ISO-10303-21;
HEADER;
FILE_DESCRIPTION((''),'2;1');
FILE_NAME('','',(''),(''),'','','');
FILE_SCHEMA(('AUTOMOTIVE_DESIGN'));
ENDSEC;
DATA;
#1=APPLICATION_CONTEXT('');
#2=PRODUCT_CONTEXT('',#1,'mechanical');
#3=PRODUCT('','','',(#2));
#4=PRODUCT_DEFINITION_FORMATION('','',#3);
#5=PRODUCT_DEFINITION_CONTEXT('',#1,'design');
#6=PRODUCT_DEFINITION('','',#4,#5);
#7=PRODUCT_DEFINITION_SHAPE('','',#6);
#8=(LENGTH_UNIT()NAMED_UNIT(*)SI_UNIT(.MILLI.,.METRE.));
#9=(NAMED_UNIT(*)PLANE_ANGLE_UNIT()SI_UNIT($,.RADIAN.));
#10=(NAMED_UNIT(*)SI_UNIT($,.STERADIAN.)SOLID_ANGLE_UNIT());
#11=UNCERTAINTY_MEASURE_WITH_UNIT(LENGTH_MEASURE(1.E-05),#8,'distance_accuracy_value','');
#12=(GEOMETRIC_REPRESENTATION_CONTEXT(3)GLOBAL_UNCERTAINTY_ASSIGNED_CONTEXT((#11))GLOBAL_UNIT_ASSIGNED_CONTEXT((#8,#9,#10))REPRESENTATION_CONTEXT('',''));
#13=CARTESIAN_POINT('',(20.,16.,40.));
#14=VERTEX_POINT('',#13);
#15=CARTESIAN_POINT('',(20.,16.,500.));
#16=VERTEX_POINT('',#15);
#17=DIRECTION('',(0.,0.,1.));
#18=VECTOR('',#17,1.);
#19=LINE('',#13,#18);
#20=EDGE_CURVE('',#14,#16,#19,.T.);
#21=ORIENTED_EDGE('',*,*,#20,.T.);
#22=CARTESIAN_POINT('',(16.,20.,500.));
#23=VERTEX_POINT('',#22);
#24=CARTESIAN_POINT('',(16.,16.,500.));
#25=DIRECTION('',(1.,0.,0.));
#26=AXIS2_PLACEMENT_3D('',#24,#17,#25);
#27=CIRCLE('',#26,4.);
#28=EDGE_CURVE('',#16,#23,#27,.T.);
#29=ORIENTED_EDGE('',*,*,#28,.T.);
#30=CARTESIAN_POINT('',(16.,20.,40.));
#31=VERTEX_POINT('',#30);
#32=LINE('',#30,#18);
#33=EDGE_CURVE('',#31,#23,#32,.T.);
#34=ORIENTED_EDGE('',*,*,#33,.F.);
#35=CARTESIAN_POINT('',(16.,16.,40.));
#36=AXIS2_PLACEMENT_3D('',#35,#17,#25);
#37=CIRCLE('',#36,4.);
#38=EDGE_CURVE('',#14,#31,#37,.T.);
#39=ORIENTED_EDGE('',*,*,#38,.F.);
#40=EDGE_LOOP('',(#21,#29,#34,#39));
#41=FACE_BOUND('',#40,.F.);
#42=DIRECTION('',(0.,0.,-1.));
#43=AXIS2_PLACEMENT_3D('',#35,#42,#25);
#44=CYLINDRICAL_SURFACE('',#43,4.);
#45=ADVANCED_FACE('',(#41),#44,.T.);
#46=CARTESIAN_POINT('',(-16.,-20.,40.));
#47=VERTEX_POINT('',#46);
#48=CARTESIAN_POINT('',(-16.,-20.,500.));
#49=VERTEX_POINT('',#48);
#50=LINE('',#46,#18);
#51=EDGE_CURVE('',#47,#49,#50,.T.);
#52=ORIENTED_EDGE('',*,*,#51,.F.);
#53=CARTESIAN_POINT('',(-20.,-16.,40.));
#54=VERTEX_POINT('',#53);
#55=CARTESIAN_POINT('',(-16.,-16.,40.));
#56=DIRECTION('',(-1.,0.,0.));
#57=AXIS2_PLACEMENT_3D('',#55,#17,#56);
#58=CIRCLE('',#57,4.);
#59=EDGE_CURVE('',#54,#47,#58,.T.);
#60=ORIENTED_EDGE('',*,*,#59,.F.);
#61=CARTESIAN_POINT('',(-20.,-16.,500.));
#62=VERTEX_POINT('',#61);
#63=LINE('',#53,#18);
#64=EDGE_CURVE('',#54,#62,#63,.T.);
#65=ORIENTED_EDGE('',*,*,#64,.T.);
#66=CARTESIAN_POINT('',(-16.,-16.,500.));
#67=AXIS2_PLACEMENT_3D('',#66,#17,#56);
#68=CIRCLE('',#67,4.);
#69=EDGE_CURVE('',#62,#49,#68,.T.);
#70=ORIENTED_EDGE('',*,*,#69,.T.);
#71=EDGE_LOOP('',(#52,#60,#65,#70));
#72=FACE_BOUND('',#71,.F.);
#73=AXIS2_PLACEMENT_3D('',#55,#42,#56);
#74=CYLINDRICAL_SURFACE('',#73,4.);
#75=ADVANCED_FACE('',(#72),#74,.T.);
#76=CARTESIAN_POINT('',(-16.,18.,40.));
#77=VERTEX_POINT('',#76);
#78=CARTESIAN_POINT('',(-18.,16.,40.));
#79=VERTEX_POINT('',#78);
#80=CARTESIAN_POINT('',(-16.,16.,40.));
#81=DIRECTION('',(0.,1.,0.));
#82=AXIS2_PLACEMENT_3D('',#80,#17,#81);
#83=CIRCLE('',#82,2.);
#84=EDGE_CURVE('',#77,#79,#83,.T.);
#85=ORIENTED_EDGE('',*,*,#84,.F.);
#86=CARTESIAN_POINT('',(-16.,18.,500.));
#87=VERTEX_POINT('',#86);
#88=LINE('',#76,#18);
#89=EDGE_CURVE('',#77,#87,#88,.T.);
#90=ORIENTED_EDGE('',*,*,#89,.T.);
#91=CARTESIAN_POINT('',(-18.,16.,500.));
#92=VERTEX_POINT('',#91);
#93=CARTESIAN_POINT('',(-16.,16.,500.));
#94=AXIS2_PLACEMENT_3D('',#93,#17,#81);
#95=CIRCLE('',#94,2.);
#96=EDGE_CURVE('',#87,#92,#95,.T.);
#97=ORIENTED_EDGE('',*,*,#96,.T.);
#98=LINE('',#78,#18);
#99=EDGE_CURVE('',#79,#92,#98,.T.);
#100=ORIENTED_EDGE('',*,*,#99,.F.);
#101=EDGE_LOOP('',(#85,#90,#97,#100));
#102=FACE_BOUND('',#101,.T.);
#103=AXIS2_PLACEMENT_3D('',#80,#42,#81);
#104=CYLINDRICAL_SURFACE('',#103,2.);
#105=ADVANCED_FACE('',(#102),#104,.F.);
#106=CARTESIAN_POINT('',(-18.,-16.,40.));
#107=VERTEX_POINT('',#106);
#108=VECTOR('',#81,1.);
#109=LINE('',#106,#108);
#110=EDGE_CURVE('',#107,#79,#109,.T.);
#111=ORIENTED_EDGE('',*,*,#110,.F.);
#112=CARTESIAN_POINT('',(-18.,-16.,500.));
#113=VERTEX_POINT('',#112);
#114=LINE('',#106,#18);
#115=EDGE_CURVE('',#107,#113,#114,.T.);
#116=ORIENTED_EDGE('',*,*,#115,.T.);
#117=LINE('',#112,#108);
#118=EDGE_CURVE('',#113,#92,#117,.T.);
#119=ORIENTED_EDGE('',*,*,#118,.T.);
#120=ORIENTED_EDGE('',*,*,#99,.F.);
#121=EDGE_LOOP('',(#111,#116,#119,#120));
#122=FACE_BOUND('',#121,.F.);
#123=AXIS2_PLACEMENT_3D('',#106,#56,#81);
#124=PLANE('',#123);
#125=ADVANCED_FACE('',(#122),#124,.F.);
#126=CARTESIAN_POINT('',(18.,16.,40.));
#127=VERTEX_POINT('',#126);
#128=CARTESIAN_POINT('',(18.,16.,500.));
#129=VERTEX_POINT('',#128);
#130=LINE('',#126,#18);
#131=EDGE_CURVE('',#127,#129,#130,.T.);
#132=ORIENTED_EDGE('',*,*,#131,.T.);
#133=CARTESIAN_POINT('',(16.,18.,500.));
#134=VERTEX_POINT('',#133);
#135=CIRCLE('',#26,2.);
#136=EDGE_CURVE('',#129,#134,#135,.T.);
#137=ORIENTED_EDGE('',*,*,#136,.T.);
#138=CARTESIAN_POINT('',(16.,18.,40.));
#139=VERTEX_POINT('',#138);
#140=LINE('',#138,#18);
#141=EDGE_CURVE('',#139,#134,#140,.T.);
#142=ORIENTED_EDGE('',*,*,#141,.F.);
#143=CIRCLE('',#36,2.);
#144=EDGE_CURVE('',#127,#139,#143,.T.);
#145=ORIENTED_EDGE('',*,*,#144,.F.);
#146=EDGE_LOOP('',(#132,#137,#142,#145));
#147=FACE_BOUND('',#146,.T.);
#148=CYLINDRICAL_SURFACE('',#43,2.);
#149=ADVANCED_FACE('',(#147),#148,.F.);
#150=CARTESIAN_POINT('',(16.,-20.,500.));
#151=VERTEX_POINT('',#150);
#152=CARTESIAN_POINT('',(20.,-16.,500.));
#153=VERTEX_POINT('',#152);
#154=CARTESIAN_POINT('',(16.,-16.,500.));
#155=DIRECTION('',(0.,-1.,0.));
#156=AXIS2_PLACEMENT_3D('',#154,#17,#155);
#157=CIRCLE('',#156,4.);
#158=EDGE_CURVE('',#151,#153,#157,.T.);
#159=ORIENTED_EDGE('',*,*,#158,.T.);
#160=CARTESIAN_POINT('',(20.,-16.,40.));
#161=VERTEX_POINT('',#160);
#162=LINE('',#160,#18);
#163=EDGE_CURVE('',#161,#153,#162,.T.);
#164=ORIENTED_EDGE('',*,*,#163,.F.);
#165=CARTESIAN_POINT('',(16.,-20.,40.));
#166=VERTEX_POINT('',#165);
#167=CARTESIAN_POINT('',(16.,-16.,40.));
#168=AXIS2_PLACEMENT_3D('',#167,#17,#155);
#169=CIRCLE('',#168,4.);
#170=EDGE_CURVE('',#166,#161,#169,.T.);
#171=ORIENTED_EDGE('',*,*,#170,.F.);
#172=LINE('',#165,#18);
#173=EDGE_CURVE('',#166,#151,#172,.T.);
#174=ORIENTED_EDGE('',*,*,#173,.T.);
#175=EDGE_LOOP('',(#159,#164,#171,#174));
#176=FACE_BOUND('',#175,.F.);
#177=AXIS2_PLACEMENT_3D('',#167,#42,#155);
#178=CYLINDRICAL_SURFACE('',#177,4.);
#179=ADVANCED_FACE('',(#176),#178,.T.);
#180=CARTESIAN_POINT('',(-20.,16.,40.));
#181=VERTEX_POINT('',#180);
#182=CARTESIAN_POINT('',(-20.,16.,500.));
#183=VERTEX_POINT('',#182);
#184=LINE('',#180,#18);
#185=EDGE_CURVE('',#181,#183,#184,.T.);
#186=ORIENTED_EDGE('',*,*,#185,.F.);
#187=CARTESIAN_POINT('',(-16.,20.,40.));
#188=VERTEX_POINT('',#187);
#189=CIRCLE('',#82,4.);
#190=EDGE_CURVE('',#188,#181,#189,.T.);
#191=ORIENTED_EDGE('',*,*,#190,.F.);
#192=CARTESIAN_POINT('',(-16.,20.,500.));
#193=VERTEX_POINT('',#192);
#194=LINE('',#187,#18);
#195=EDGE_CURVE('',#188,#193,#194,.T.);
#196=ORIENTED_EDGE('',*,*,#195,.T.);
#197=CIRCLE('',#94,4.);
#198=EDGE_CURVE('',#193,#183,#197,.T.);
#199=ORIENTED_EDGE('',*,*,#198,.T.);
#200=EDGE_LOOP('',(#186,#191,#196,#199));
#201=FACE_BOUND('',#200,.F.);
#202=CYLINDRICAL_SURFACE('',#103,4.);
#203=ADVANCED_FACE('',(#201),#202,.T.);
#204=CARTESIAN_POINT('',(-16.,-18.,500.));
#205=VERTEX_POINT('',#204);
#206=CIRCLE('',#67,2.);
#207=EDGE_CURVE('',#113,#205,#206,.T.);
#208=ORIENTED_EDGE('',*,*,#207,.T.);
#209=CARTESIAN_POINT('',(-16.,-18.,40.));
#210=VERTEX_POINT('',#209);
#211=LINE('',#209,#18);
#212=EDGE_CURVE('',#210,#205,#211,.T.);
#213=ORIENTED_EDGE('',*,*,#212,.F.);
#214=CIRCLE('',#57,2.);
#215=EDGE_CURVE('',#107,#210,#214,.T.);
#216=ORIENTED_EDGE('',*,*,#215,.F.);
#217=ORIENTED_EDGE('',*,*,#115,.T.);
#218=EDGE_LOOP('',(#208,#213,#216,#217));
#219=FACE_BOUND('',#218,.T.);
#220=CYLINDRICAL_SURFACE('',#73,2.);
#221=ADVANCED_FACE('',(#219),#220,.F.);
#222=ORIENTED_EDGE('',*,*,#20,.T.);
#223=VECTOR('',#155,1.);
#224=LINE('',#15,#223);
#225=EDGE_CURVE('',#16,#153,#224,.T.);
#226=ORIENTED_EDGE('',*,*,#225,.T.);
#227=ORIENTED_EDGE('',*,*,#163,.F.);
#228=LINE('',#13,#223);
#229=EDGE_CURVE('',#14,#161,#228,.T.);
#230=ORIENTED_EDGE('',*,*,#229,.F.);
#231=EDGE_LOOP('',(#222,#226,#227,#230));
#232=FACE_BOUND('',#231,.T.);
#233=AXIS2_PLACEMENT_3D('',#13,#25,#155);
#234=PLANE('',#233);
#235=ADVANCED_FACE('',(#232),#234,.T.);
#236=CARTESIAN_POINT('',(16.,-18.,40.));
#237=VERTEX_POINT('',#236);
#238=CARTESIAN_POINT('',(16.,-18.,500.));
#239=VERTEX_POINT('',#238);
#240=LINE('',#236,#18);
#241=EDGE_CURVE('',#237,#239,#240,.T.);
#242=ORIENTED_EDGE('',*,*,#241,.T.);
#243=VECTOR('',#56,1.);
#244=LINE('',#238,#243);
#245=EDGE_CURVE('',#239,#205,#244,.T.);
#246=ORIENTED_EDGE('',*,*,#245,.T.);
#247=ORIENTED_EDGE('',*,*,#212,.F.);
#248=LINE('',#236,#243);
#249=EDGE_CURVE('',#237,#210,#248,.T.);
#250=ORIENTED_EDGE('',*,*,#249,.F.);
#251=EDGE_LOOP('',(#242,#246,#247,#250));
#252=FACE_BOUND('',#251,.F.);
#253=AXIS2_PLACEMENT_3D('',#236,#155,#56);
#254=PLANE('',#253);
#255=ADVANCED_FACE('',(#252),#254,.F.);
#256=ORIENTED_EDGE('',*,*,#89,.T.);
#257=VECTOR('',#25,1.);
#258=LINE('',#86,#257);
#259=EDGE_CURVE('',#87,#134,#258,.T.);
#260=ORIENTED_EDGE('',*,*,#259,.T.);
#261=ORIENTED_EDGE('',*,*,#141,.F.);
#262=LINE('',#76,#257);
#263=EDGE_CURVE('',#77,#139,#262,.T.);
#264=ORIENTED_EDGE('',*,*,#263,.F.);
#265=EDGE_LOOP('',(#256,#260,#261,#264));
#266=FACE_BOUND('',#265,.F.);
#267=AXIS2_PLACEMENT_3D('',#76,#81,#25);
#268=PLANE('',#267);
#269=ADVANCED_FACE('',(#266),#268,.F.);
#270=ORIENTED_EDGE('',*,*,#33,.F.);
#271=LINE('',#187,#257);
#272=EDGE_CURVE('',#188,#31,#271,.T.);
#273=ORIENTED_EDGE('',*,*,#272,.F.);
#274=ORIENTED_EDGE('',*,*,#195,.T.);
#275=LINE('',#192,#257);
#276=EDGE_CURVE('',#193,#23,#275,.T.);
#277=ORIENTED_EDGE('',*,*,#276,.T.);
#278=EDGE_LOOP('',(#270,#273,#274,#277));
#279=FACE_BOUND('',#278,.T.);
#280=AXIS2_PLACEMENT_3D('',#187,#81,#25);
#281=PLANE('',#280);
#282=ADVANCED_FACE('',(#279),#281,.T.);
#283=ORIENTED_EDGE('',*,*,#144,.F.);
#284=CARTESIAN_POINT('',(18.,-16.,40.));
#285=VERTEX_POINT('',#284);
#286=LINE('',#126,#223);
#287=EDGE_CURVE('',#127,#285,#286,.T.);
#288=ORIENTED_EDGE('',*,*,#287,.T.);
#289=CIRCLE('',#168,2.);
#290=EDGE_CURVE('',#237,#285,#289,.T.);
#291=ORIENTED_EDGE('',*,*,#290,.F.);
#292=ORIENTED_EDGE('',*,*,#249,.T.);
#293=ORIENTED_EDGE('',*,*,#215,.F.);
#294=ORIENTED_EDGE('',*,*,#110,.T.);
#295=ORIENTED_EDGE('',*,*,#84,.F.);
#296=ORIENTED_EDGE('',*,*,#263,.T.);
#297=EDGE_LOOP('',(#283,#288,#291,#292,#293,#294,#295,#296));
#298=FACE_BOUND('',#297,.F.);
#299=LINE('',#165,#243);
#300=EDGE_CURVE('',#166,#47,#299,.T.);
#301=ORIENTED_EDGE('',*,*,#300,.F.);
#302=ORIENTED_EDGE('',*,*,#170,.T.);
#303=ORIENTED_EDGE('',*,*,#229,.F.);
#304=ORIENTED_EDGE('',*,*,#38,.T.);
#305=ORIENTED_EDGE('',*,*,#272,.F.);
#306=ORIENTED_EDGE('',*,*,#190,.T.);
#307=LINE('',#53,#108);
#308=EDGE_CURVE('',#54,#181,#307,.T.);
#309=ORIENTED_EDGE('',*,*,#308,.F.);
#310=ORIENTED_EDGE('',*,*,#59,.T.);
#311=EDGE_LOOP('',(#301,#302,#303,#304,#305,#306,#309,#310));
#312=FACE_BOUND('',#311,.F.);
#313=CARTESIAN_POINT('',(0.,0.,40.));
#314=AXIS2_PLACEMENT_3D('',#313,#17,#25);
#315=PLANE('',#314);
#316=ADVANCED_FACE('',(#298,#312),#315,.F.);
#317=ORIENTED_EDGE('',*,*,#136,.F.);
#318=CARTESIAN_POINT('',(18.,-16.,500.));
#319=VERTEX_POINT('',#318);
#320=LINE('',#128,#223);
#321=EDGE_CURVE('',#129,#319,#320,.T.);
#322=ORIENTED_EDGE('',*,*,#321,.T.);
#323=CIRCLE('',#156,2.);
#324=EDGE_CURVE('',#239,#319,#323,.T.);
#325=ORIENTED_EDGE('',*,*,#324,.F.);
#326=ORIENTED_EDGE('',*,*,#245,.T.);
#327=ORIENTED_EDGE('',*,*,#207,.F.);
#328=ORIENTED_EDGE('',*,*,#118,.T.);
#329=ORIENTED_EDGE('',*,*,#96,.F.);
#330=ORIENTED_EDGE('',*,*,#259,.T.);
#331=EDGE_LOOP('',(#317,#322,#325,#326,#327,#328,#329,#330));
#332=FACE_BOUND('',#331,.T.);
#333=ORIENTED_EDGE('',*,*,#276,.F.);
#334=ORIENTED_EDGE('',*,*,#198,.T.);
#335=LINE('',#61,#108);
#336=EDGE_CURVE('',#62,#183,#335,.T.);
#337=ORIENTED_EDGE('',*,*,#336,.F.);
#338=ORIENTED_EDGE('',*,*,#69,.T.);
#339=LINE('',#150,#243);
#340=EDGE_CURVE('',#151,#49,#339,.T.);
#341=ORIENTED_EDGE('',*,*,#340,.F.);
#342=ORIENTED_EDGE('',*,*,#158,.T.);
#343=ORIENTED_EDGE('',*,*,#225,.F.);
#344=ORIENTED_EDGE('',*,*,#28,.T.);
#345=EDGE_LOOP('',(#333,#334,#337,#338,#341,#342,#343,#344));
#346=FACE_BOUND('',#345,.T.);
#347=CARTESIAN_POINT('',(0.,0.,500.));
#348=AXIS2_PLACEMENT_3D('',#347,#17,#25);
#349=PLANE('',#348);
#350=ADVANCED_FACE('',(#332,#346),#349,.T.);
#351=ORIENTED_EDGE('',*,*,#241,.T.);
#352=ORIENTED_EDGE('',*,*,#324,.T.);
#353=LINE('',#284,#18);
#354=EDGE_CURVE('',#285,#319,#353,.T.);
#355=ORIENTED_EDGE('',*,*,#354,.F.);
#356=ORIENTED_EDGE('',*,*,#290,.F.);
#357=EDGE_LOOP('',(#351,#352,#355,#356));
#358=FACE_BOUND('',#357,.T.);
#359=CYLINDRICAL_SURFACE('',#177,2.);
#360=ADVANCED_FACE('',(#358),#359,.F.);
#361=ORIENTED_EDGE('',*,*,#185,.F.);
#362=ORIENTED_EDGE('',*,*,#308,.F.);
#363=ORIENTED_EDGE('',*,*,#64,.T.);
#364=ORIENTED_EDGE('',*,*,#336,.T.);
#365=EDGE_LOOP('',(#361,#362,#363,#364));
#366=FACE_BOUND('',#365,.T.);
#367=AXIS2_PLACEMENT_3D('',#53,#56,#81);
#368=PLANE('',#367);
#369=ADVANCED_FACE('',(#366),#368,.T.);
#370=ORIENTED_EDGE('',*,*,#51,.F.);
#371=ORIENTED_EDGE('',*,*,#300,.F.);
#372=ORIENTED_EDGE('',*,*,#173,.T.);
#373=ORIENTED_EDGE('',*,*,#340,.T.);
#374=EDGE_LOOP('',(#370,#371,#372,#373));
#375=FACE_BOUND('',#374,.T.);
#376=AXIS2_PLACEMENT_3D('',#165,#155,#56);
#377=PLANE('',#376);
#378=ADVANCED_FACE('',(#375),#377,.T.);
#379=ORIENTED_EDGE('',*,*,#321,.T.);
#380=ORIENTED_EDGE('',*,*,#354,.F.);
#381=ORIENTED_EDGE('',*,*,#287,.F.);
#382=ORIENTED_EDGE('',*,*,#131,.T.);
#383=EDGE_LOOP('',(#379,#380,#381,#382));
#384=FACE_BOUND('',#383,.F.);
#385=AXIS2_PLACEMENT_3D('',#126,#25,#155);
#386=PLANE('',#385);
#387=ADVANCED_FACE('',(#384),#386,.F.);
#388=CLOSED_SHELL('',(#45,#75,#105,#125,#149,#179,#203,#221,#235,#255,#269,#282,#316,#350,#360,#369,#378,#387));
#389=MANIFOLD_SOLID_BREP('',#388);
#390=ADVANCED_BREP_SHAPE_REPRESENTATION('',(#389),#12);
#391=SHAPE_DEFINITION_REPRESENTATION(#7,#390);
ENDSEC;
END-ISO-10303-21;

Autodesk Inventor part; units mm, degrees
ref_plane "YZ Plane" through (0, 0, 0) normal (1, 0, 0) x (0, 1, 0)
ref_plane "Start Plane" through (0, 0, 40) normal (0, 0, 1) x (1, 0, 0)
ref_plane "End Plane" through (0, 0, 500) normal (0, 0, 1) x (1, 0, 0)
sketch "Sketch" plane through (0, 0, 0) normal (0, 0, 1) x (1, 0, 0)
  line L0 (-20, -16) -> (-20, 16)
  line L1 (-16, 20) -> (16, 20)
  line L2 (20, 16) -> (20, -16)
  line L3 (16, -20) -> (-16, -20)
  arc A0 (-20, -16) -> (-16, -20) centre (-16, -16) ccw
  arc A1 (20, 16) -> (16, 20) centre (16, 16) ccw
  arc A2 (-16, 20) -> (-20, 16) centre (-16, 16) ccw
  arc A3 (16, -20) -> (20, -16) centre (16, -16) ccw
  arc A4 (-16, 18) -> (-18, 16) centre (-16, 16) ccw
  line L4 (-16, 18) -> (16, 18)
  arc A5 (18, 16) -> (16, 18) centre (16, 16) ccw
  line L5 (18, 16) -> (18, -16)
  arc A6 (16, -18) -> (18, -16) centre (16, -16) ccw
  line L6 (16, -18) -> (-16, -18)
  arc A7 (-18, -16) -> (-16, -18) centre (-16, -16) ccw
  line L7 (-18, -16) -> (-18, 16)
  line L8 (0, 29.1598) -> (0, -29.1598) construction
  line L9 (-29.1598, 0) -> (29.1598, 0) construction
  dimension "d7" = 4
  dimension "d9" = 40
  dimension "d11" = 40
  dimension "d12" = 2
  dimension "d15" = 20
  dimension "d16" = 20
extrude "Body" add sketch "Sketch" along normal up to surface (460 mm away) from surface at 40
sketch "Sketch3" plane through (0, 0, 0) normal (0, 0, 1) x (1, 0, 0)
  line L0 (0, 0) -> (10, 0)
ref_plane "Work Plane3" through (0, 0, 0) normal (0, -1, 0) x (1, 0, 0)
sketch "Sketch4" plane through (0, 0, 0) normal (0, -1, 0) x (1, 0, 0)
  line L0 (-2, 40) -> (12, 40) projected
  line L1 (-2, 500) -> (12, 500) projected
  dimension "d18" = 460
equation "\"d7\" = G_IR"
equation "\"d9\" = G_W"
equation "\"d11\" = G_H"
equation "\"d12\" = G_T"
equation "\"d15\" = 0.5 * d9"
equation "\"d16\" = 0.5 * d11"
equation "\"d3\" = G_L"
equation "\"G_W\" = 40"
equation "\"G_H\" = 40"
equation "\"G_T\" = 2"
equation "\"G_IR\" = 4"
equation "\"G_L\" = d18"
properties part number "ISO 10799-2 - 40x40x2 - 460" material "Steel, Mild"
